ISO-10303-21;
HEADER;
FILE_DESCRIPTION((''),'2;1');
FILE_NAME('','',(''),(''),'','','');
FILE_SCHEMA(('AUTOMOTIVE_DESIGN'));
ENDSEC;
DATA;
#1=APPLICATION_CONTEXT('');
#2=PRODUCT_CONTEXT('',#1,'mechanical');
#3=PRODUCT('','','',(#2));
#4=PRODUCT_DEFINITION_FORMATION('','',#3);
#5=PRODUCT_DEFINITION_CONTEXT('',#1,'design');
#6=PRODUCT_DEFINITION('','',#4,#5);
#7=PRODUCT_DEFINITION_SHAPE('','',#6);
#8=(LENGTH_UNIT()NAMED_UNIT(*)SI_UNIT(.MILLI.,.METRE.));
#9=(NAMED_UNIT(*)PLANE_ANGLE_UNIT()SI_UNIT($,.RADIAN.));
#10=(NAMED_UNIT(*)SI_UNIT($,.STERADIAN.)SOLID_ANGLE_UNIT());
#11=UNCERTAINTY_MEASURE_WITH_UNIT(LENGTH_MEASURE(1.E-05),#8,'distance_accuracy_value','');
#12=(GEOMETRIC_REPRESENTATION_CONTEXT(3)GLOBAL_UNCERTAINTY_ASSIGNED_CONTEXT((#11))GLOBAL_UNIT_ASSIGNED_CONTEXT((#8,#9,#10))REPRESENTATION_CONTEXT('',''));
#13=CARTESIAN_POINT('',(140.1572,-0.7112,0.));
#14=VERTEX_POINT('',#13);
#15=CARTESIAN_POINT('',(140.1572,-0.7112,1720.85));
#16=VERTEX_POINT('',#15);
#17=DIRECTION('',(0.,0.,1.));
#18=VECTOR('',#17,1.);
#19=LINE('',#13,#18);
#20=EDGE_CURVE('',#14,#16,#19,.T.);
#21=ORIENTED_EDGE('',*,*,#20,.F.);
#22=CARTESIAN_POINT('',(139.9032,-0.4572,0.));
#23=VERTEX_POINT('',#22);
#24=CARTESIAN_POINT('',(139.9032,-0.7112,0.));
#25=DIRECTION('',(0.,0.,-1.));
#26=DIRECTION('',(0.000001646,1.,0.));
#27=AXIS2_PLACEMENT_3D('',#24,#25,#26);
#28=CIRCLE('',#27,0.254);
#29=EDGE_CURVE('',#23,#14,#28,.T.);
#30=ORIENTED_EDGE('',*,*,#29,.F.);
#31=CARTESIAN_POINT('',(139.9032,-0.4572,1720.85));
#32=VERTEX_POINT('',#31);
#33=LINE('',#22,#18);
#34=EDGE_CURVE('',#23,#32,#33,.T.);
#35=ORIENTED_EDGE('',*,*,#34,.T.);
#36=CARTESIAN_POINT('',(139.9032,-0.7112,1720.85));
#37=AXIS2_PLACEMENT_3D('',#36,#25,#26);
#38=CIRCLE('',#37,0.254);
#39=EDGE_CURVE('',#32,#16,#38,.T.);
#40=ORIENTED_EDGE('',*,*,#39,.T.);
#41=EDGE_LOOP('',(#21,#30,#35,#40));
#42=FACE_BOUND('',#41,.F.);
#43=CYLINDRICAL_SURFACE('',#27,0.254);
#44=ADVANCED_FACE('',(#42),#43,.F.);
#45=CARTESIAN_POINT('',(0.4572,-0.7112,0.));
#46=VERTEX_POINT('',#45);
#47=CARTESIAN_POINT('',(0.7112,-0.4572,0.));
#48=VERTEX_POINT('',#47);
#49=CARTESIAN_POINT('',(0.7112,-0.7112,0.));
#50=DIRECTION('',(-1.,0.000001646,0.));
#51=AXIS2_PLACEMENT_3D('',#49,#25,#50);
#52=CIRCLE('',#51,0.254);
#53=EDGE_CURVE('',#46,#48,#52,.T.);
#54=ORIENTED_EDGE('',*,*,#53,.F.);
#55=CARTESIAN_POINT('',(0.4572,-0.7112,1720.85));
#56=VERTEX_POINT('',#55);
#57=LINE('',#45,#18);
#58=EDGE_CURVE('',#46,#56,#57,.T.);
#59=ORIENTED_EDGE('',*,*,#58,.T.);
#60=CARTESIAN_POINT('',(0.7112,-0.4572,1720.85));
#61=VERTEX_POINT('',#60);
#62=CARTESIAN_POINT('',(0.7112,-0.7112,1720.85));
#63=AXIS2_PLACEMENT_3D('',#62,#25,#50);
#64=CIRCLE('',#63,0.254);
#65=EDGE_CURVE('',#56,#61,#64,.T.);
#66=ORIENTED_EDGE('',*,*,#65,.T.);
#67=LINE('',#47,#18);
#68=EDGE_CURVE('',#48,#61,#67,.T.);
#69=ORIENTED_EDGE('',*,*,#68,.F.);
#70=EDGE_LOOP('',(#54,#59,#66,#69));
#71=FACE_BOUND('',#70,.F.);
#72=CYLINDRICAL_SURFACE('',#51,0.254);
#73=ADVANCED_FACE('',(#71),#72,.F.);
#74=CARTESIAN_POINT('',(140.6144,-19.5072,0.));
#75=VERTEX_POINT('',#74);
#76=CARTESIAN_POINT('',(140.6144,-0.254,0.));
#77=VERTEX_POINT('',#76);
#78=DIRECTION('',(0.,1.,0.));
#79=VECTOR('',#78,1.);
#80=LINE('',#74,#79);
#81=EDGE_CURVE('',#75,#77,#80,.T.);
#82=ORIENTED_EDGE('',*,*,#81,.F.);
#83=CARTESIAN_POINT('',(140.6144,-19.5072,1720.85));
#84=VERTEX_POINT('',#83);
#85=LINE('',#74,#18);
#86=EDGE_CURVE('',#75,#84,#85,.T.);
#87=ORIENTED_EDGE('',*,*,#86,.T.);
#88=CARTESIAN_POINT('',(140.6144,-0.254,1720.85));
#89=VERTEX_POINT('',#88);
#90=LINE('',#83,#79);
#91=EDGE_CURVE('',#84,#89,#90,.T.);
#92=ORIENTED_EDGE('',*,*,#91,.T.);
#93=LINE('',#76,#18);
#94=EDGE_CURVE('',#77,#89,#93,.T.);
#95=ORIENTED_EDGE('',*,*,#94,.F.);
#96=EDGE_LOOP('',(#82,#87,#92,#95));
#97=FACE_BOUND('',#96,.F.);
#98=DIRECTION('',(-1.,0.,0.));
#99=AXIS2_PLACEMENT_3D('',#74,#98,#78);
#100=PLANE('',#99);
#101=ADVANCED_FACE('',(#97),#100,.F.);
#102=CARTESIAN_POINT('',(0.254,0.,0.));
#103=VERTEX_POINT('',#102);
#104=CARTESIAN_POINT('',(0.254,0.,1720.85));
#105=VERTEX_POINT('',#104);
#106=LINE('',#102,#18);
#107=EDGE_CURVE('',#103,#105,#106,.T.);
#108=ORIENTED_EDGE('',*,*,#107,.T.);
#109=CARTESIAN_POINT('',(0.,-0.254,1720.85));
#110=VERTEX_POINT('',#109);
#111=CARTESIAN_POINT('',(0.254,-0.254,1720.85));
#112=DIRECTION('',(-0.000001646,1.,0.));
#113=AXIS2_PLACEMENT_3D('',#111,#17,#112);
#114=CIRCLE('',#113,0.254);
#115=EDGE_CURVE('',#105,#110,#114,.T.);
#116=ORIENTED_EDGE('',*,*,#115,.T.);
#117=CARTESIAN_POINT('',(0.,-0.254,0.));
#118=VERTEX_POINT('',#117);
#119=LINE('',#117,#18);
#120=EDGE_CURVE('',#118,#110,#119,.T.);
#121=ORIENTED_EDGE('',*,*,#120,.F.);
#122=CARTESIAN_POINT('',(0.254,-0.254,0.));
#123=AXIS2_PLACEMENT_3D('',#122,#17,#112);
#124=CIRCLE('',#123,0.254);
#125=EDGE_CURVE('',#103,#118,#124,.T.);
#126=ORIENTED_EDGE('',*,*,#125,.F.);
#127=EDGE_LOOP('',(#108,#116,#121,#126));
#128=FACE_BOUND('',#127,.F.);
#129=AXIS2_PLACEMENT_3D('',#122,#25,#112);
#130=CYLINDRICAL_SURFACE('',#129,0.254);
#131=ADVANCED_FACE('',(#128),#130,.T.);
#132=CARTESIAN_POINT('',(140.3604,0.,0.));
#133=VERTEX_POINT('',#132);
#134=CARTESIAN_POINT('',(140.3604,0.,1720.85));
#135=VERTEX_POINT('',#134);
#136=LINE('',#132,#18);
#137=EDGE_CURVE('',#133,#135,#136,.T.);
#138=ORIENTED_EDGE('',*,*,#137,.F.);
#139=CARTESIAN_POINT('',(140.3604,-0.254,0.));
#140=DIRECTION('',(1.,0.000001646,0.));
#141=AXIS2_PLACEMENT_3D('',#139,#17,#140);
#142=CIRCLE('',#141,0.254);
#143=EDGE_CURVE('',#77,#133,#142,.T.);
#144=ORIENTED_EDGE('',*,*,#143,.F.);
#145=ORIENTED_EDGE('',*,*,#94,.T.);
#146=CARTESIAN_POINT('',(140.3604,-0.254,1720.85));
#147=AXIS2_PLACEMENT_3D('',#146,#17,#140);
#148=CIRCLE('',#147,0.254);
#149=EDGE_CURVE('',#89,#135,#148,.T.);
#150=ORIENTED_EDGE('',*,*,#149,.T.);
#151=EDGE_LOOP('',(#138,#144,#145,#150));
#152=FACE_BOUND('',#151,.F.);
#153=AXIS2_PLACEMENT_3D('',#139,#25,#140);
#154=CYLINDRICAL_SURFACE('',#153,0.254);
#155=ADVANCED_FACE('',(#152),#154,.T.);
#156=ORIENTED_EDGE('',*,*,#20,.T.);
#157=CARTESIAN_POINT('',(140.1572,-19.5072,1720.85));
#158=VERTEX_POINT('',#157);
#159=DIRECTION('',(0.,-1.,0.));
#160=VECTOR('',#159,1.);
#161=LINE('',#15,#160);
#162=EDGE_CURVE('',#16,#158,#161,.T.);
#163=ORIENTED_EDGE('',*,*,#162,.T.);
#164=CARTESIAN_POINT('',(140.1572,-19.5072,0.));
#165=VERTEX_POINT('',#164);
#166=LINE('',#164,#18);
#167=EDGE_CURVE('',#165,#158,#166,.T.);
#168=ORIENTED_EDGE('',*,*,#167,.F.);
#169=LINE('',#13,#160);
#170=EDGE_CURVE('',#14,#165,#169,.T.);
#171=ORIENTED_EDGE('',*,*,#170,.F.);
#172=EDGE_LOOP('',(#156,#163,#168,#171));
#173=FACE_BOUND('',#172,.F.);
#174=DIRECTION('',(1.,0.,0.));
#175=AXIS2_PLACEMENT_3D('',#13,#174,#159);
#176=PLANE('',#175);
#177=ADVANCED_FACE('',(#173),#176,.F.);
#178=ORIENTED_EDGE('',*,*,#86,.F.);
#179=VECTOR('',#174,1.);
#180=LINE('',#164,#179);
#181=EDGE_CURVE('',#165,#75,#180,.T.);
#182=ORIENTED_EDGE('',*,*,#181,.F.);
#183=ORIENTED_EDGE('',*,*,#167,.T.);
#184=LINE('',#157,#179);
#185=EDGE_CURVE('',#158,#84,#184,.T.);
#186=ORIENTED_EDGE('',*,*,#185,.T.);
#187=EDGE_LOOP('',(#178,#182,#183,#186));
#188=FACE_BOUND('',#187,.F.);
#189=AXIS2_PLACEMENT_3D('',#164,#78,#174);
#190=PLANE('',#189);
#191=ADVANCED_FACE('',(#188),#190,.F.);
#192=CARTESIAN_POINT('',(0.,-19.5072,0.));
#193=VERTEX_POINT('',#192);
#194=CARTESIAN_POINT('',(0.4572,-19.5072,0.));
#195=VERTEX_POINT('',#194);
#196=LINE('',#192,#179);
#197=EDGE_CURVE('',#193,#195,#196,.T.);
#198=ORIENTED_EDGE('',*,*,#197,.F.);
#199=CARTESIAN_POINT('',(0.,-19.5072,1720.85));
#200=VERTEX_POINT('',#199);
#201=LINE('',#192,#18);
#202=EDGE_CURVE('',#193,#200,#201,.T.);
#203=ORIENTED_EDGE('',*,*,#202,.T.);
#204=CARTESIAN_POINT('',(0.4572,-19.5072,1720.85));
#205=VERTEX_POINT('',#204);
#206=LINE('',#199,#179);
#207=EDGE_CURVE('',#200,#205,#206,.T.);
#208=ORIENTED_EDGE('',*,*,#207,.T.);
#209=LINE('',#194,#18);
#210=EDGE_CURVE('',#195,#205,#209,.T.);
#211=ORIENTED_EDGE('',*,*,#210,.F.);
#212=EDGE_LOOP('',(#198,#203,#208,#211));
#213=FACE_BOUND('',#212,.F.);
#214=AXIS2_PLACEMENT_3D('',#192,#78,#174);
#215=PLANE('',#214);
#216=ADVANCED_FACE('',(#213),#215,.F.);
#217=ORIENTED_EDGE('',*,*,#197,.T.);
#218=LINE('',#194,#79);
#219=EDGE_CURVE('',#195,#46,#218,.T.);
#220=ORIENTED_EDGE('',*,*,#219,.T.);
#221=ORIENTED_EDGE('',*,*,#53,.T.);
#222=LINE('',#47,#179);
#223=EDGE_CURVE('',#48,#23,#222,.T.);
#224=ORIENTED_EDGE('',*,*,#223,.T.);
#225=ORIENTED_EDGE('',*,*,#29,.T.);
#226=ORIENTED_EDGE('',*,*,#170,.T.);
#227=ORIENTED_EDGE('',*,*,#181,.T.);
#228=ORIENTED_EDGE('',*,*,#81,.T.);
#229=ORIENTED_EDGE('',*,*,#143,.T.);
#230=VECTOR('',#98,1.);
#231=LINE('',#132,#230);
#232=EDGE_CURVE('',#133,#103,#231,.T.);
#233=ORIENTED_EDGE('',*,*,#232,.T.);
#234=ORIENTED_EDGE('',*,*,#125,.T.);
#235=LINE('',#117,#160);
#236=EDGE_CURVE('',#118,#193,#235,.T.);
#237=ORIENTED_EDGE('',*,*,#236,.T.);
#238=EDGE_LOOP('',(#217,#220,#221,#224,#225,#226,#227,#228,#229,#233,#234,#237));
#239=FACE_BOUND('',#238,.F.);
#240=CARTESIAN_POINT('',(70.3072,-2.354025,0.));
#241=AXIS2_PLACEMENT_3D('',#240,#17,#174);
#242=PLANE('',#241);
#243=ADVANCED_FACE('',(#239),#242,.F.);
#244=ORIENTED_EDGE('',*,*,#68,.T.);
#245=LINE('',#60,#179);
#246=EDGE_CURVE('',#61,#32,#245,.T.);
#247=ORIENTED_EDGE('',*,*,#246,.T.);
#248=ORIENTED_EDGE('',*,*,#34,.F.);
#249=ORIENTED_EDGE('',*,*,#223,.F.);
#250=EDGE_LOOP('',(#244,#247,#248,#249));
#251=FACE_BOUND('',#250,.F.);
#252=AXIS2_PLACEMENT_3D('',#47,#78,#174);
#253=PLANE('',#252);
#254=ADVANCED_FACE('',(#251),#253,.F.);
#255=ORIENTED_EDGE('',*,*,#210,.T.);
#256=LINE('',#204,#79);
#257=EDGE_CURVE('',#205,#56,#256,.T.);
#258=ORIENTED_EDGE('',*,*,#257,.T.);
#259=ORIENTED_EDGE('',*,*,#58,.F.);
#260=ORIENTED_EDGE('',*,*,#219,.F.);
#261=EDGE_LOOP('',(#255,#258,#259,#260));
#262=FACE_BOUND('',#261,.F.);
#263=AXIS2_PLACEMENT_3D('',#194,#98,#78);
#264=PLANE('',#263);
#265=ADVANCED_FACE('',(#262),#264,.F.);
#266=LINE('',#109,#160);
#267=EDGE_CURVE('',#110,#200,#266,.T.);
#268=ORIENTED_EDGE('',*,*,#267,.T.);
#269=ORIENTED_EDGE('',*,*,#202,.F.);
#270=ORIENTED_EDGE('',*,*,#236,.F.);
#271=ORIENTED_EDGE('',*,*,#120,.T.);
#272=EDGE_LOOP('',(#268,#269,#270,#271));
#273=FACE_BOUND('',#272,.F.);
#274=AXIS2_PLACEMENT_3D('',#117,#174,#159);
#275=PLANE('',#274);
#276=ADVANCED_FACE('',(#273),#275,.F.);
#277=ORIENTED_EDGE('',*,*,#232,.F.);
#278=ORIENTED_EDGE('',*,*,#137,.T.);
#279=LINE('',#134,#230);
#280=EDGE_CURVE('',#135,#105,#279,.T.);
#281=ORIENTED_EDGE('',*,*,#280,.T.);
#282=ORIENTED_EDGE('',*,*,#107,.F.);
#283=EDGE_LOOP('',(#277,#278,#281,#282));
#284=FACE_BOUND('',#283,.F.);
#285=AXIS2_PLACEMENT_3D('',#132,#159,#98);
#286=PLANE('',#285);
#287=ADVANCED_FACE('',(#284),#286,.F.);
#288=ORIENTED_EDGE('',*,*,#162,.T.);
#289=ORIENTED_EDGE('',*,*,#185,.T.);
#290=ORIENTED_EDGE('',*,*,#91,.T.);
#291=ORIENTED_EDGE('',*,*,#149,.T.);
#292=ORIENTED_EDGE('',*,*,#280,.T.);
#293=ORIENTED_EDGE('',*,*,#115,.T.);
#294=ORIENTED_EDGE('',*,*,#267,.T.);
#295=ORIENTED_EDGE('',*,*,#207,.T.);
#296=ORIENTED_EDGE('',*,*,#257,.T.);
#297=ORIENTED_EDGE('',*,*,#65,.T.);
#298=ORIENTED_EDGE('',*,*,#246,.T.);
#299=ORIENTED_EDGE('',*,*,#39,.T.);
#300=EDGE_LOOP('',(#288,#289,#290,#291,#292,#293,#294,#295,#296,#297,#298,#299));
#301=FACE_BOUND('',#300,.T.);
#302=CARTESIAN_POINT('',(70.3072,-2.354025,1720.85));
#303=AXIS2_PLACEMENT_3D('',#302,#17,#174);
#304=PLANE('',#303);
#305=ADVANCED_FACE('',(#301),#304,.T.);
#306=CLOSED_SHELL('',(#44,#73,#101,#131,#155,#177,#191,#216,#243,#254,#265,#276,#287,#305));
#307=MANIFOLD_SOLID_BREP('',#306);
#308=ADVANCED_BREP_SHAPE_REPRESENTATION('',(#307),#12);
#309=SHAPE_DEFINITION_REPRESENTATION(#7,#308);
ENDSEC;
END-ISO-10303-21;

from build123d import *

# Parameters (mm, degrees)
F1_DEPTH = 1720.85


with BuildPart() as f1:
    # F0 (on Top) → F1 (new body)
    with BuildSketch(Plane.XY):
        with BuildLine():
            Line((140.3604, 0), (0.254, 0))
            ThreePointArc((0.254, 0), (0.074395, -0.074395), (0, -0.254))
            Line((0, -0.254), (0, -19.5072))
            Line((0, -19.5072), (0.4572, -19.5072))
            Line((0.4572, -19.5072), (0.4572, -0.7112))
            ThreePointArc((0.4572, -0.7112), (0.531595, -0.531595), (0.7112, -0.4572))
            Line((0.7112, -0.4572), (139.9032, -0.4572))
            ThreePointArc((139.9032, -0.4572), (140.082805, -0.531595), (140.1572, -0.7112))
            Line((140.1572, -0.7112), (140.1572, -19.5072))
            Line((140.1572, -19.5072), (140.6144, -19.5072))
            Line((140.6144, -19.5072), (140.6144, -0.254))
            ThreePointArc((140.6144, -0.254), (140.540005, -0.074395), (140.3604, 0))
        make_face()
    extrude(amount=F1_DEPTH)


solid = f1.part
